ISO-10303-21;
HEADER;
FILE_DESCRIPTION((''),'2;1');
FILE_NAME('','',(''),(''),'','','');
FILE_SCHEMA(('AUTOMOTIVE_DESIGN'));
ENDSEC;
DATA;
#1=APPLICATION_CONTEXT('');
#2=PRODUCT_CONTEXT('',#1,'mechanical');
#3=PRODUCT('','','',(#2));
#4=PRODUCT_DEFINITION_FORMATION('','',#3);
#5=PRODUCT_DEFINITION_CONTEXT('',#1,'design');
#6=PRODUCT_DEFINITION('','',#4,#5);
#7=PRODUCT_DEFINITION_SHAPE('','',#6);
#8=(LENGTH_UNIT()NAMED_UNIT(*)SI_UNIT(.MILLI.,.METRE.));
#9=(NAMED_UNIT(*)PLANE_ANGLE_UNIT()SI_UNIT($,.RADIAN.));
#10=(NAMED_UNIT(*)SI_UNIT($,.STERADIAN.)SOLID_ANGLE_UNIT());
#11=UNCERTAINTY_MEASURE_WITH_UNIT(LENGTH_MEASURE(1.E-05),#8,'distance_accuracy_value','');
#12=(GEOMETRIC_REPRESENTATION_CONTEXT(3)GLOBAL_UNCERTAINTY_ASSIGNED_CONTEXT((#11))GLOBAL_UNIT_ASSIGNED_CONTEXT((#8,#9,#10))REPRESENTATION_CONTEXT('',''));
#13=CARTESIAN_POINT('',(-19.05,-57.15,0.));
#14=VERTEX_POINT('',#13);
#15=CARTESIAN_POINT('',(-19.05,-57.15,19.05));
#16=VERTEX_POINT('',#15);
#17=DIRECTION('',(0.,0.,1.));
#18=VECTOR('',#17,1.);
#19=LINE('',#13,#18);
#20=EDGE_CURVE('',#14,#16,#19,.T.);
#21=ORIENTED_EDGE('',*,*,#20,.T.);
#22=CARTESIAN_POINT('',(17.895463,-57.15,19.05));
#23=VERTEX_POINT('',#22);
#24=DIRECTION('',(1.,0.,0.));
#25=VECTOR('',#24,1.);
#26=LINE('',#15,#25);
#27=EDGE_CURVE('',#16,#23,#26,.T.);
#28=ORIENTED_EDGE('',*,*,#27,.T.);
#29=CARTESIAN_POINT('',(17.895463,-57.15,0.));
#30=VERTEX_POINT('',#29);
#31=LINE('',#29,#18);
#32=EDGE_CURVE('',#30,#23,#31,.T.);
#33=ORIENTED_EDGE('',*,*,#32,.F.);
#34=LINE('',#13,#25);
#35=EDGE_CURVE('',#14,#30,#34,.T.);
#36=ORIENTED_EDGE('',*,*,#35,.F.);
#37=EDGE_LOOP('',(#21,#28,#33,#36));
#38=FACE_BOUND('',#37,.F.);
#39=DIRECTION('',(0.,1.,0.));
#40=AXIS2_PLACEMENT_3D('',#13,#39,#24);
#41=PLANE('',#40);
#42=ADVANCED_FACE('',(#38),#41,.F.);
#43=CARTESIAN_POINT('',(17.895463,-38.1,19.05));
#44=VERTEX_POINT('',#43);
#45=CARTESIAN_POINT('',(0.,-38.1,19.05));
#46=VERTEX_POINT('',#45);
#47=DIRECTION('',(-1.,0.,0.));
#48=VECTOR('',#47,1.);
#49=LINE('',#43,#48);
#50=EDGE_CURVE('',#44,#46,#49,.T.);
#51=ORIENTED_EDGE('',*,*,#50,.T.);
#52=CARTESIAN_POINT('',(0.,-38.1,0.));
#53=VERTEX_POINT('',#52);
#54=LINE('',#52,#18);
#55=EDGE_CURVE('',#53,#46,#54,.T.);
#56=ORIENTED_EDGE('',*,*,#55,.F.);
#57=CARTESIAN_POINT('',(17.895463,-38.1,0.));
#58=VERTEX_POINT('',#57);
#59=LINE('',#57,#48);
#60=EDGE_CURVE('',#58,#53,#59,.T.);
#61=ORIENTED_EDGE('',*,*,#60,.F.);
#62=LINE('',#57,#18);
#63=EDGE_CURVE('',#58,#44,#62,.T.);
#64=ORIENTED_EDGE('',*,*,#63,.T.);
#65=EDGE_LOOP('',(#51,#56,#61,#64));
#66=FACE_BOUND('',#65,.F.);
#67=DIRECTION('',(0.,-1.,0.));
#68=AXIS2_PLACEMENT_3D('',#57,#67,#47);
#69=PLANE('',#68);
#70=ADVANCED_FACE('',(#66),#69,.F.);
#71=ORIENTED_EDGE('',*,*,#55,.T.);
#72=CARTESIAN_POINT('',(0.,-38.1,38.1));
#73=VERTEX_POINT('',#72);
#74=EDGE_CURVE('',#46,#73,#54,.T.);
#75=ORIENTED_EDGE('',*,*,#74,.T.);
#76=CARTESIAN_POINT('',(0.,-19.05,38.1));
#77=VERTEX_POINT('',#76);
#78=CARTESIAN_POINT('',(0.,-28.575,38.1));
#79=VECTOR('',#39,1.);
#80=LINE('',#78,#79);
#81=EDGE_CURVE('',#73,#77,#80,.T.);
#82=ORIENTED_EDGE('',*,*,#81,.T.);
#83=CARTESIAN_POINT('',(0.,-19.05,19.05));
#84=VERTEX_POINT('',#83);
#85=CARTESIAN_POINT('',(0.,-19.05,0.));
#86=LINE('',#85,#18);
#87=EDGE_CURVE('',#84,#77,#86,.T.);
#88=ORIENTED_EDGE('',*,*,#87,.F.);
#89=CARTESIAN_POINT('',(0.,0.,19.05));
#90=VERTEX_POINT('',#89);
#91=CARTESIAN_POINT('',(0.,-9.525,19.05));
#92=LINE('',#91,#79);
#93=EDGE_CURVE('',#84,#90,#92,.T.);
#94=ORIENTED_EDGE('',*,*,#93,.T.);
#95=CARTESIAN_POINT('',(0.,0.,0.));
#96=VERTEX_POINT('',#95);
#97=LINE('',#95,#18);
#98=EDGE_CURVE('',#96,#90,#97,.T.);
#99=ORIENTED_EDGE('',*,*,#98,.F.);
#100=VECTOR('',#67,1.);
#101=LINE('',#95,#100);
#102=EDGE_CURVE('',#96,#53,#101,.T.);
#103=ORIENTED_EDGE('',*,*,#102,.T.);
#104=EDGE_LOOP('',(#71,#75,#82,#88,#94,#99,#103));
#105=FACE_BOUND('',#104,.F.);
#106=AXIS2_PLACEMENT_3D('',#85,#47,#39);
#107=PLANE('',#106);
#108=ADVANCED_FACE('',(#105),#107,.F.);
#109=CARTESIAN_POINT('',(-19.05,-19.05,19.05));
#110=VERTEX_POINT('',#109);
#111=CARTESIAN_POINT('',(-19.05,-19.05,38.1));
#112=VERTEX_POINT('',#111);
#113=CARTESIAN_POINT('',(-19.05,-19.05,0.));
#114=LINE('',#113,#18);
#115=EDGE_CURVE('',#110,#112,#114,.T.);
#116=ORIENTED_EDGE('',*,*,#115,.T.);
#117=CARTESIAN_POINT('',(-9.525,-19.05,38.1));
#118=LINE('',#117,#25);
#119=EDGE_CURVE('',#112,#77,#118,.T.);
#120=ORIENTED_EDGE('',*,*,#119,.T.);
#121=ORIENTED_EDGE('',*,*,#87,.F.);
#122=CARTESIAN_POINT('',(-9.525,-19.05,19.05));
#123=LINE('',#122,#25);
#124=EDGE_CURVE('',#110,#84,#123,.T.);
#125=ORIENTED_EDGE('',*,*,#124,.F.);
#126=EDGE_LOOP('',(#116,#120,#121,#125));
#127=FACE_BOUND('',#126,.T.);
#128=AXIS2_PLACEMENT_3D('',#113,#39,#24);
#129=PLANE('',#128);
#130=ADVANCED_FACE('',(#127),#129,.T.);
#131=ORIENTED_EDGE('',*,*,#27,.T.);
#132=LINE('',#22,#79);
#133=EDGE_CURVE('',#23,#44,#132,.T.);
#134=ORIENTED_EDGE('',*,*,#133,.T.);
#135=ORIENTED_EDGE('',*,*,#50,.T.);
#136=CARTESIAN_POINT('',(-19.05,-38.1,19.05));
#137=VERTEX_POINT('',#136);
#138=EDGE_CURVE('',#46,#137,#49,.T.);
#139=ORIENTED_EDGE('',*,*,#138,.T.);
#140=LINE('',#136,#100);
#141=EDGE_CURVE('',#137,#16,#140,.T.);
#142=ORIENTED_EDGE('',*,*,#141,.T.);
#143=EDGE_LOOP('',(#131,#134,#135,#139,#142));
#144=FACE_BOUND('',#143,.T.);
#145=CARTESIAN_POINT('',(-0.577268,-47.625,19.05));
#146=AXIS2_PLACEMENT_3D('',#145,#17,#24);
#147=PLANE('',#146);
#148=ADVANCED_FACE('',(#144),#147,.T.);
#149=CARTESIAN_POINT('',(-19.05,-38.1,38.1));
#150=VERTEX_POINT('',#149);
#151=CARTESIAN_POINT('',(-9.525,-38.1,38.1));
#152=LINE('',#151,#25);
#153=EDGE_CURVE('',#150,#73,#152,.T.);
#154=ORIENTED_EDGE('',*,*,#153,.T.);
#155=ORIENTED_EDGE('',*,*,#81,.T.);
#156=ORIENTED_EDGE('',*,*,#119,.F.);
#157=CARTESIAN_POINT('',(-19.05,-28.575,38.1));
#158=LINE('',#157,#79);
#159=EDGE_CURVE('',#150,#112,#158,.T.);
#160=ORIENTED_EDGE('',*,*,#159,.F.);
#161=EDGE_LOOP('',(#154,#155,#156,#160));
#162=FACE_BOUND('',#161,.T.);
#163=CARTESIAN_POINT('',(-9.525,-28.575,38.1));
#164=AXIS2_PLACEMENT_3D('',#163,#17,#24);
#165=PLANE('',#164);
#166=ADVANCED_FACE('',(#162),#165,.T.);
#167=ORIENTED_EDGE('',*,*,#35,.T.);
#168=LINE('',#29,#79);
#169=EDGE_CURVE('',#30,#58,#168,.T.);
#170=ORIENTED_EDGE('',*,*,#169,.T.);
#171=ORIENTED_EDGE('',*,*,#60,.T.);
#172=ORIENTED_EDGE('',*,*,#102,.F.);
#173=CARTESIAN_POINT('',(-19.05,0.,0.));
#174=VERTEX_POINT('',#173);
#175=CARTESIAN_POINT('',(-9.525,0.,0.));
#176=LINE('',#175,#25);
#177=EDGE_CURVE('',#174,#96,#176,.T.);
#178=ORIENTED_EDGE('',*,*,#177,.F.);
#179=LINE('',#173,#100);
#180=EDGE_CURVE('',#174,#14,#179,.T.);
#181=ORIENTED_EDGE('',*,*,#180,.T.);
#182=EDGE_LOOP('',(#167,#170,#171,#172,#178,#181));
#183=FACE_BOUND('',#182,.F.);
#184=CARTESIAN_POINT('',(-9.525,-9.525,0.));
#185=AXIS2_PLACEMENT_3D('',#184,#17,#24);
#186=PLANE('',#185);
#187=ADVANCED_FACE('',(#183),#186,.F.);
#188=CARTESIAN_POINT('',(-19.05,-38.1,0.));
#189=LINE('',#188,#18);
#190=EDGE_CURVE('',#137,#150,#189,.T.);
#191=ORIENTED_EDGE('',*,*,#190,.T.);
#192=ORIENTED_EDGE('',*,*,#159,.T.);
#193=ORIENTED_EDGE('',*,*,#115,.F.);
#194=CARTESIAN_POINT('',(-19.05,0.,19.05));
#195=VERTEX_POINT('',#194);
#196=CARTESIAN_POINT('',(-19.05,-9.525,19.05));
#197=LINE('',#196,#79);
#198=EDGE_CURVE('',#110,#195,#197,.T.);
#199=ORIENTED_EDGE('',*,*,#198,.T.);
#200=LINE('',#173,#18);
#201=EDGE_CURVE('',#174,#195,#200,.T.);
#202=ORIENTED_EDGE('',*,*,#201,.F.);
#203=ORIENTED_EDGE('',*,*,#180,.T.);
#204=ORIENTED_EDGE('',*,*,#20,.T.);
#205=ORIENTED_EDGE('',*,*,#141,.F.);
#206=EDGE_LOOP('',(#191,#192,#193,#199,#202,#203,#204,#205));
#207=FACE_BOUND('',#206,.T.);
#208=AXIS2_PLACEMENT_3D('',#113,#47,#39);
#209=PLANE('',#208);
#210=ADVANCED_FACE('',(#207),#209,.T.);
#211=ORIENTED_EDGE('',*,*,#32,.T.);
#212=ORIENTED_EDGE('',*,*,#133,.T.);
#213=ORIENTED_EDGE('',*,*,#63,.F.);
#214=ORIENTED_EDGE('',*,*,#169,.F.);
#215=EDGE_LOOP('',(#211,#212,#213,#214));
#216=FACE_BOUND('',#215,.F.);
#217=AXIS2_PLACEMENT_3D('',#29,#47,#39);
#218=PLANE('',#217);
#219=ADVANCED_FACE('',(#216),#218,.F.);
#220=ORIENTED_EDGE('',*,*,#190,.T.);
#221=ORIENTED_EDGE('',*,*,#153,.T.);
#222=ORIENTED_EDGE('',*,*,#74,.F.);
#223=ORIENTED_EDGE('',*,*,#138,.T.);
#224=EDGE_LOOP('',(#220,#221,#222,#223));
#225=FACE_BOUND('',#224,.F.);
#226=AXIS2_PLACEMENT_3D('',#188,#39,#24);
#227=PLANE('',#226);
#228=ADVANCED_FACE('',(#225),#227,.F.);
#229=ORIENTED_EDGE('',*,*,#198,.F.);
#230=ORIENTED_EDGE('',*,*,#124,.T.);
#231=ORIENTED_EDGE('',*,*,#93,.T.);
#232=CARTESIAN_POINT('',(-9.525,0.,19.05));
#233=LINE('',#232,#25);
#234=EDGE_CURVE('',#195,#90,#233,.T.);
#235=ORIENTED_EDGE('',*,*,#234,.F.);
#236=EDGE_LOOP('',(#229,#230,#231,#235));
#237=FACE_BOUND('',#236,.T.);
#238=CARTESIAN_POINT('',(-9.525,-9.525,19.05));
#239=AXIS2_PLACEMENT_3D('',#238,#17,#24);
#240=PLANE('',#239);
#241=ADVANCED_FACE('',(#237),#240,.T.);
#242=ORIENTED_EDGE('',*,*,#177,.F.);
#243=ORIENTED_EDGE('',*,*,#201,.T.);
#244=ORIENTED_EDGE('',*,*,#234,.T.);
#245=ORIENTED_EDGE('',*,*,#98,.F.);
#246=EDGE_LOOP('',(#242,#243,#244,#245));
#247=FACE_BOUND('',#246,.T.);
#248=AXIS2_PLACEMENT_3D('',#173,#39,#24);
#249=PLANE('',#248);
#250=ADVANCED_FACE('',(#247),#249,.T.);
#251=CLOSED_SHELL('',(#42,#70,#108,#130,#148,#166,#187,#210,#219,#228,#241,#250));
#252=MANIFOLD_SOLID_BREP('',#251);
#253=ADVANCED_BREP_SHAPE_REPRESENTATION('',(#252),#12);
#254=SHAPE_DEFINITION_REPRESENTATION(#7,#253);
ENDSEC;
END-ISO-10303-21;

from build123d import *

# Parameters (mm, degrees)
F1_DEPTH = 19.05
F0_W     = 19.05
F0_H     = 19.05
F2_DEPTH = 38.1
F3_DEPTH = 19.05


with BuildPart() as f1:
    # F0 (on Top) → F1 (new body)
    with BuildSketch(Plane.XY):
        Polygon((17.895463, -38.1), (0, -38.1), (-19.05, -38.1), (-19.05, -57.15), (17.895463, -57.15), align=None)
    extrude(amount=F1_DEPTH)

    # F0 (on Top) → F2 (join)
    with BuildSketch(Plane.XY):
        with Locations((-9.525, -28.575)):
            Rectangle(F0_W, F0_H)
    extrude(amount=F2_DEPTH)

    # F0 (on Top) → F3 (join)
    with BuildSketch(Plane.XY):
        with Locations((-9.525, -9.525)):
            Rectangle(F0_W, F0_H)
    extrude(amount=F3_DEPTH)


solid = f1.part
